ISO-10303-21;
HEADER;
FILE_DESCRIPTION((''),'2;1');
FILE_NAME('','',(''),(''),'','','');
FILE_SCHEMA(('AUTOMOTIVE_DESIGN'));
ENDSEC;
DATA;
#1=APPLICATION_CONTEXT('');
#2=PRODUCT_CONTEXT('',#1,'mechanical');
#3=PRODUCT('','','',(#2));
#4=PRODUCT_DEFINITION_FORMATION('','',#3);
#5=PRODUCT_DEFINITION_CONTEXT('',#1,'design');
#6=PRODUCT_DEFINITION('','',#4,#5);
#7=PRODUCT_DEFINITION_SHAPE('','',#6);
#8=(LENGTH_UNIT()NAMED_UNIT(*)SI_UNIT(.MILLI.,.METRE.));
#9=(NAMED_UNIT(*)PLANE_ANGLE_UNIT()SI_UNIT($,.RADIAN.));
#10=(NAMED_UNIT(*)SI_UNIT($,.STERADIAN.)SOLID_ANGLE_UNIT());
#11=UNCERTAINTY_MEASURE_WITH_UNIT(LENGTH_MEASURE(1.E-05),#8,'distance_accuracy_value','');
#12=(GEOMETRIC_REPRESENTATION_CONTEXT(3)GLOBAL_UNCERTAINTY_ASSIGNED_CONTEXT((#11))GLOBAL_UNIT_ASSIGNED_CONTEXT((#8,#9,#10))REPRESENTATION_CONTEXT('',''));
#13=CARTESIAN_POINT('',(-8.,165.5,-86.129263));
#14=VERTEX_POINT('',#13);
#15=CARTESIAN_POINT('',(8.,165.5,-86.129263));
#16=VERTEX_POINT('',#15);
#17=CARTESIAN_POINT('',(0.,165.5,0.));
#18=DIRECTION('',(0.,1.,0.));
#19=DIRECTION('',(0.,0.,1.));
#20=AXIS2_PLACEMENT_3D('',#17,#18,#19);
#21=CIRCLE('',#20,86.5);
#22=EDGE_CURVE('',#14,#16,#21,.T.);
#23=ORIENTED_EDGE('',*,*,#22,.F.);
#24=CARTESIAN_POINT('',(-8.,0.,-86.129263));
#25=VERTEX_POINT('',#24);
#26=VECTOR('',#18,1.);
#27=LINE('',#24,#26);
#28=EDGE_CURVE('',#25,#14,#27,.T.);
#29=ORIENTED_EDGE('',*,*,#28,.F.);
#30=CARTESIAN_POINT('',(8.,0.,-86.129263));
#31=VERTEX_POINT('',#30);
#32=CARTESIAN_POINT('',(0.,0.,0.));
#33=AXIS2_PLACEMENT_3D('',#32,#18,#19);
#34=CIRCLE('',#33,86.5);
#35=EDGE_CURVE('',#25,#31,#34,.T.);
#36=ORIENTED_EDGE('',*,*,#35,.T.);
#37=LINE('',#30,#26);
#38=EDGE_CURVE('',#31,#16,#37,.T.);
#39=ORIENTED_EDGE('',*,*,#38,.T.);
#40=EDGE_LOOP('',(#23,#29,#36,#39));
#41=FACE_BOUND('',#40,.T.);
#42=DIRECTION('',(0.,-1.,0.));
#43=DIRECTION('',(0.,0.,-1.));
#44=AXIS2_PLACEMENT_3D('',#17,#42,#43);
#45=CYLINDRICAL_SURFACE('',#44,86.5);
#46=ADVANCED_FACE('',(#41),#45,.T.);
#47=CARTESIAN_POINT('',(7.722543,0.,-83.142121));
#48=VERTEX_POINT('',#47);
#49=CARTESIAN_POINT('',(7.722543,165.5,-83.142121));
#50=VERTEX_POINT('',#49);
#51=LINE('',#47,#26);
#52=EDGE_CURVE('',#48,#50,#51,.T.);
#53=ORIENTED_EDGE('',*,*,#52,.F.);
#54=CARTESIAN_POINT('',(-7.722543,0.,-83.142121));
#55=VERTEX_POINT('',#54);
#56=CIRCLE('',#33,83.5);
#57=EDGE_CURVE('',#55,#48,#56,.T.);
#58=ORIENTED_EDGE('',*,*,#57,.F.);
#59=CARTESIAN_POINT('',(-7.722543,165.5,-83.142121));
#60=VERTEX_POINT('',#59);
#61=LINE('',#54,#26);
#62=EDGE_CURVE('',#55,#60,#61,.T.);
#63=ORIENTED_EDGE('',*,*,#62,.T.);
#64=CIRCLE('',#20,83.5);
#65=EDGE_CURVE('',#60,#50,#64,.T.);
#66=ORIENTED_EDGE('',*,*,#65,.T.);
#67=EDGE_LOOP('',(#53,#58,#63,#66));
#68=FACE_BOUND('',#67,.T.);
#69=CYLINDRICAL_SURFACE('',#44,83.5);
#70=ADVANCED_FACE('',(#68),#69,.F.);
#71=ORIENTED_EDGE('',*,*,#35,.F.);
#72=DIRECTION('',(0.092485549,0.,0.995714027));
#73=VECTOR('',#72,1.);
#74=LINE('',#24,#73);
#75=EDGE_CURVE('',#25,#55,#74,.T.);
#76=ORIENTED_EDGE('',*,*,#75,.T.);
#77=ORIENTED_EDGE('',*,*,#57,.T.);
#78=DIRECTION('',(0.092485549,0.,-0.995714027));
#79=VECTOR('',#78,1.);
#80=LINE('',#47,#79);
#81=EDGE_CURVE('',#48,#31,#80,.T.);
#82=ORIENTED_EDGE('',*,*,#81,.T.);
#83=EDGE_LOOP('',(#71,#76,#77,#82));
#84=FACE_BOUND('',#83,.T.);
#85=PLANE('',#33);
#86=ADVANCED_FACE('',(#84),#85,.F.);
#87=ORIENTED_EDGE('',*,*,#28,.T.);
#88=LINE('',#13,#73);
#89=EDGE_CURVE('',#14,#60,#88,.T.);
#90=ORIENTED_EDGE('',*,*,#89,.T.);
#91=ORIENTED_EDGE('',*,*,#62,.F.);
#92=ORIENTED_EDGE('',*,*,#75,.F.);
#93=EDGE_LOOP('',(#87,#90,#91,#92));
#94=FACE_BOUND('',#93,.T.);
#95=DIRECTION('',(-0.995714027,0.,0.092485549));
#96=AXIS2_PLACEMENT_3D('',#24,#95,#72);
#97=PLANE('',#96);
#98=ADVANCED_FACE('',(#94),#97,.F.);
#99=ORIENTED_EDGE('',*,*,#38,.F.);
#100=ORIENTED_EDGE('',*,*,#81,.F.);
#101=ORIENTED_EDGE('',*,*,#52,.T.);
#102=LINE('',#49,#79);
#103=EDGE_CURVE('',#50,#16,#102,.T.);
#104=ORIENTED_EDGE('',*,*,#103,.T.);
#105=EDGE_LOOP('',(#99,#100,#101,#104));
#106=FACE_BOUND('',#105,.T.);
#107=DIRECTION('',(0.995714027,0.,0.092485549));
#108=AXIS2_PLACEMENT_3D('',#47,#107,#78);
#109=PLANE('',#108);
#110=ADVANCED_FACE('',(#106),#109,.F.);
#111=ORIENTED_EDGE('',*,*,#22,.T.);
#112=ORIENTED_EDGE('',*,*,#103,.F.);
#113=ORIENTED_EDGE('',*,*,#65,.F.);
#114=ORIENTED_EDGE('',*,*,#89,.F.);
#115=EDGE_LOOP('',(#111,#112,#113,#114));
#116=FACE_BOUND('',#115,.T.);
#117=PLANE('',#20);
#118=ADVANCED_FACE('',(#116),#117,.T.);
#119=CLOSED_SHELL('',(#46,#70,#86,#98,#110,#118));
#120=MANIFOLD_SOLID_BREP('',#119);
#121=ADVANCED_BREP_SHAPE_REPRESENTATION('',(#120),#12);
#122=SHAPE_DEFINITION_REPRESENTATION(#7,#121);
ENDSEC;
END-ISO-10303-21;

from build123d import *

# Parameters (mm, degrees)
SKETCH_1_R               = 86.5
SKETCH_1_R_2             = 83.5
EXTRUDE_1_DEPTH          = 165.5
CUT_EXTRUDE_1_DEPTH      = 206.802696775
CUT_EXTRUDE_1_DEPTH_BACK = 206.802696775


with BuildPart() as part:
    # Эскиз1 → Бобышка-Вытянуть1 (new body)
    with BuildSketch(Plane(origin=(0, 0, 0), x_dir=(1, 0, 0), z_dir=(0, 1, 0))):
        with Locations(Location((0, 0, 0), (0, 0, 270))):
            Circle(SKETCH_1_R)
        with Locations(Location((0, 0, 0), (0, 0, 270))):
            Circle(SKETCH_1_R_2, mode=Mode.SUBTRACT)
    extrude(amount=EXTRUDE_1_DEPTH)

    # Эскиз2 → Вырез-Вытянуть1 (cut, two sides: drawn at the far end of the back side and taken through both)
    with BuildSketch(Plane(origin=(0, 165.5, 0), x_dir=(1, 0, 0), z_dir=(0, 1, 0)).offset(-CUT_EXTRUDE_1_DEPTH_BACK)):
        with BuildLine():
            Line((-8, 86.12926332), (-7.722543353, 83.142121239))
            ThreePointArc((-7.722543353, 83.142121239), (0, 83.5), (7.722543353, 83.142121239))
            Line((7.722543353, 83.142121239), (8, 86.12926332))
            ThreePointArc((8, 86.12926332), (0, 86.5), (-8, 86.12926332))
        make_face()
    extrude(amount=CUT_EXTRUDE_1_DEPTH + CUT_EXTRUDE_1_DEPTH_BACK, mode=Mode.SUBTRACT)


solid = part.part
